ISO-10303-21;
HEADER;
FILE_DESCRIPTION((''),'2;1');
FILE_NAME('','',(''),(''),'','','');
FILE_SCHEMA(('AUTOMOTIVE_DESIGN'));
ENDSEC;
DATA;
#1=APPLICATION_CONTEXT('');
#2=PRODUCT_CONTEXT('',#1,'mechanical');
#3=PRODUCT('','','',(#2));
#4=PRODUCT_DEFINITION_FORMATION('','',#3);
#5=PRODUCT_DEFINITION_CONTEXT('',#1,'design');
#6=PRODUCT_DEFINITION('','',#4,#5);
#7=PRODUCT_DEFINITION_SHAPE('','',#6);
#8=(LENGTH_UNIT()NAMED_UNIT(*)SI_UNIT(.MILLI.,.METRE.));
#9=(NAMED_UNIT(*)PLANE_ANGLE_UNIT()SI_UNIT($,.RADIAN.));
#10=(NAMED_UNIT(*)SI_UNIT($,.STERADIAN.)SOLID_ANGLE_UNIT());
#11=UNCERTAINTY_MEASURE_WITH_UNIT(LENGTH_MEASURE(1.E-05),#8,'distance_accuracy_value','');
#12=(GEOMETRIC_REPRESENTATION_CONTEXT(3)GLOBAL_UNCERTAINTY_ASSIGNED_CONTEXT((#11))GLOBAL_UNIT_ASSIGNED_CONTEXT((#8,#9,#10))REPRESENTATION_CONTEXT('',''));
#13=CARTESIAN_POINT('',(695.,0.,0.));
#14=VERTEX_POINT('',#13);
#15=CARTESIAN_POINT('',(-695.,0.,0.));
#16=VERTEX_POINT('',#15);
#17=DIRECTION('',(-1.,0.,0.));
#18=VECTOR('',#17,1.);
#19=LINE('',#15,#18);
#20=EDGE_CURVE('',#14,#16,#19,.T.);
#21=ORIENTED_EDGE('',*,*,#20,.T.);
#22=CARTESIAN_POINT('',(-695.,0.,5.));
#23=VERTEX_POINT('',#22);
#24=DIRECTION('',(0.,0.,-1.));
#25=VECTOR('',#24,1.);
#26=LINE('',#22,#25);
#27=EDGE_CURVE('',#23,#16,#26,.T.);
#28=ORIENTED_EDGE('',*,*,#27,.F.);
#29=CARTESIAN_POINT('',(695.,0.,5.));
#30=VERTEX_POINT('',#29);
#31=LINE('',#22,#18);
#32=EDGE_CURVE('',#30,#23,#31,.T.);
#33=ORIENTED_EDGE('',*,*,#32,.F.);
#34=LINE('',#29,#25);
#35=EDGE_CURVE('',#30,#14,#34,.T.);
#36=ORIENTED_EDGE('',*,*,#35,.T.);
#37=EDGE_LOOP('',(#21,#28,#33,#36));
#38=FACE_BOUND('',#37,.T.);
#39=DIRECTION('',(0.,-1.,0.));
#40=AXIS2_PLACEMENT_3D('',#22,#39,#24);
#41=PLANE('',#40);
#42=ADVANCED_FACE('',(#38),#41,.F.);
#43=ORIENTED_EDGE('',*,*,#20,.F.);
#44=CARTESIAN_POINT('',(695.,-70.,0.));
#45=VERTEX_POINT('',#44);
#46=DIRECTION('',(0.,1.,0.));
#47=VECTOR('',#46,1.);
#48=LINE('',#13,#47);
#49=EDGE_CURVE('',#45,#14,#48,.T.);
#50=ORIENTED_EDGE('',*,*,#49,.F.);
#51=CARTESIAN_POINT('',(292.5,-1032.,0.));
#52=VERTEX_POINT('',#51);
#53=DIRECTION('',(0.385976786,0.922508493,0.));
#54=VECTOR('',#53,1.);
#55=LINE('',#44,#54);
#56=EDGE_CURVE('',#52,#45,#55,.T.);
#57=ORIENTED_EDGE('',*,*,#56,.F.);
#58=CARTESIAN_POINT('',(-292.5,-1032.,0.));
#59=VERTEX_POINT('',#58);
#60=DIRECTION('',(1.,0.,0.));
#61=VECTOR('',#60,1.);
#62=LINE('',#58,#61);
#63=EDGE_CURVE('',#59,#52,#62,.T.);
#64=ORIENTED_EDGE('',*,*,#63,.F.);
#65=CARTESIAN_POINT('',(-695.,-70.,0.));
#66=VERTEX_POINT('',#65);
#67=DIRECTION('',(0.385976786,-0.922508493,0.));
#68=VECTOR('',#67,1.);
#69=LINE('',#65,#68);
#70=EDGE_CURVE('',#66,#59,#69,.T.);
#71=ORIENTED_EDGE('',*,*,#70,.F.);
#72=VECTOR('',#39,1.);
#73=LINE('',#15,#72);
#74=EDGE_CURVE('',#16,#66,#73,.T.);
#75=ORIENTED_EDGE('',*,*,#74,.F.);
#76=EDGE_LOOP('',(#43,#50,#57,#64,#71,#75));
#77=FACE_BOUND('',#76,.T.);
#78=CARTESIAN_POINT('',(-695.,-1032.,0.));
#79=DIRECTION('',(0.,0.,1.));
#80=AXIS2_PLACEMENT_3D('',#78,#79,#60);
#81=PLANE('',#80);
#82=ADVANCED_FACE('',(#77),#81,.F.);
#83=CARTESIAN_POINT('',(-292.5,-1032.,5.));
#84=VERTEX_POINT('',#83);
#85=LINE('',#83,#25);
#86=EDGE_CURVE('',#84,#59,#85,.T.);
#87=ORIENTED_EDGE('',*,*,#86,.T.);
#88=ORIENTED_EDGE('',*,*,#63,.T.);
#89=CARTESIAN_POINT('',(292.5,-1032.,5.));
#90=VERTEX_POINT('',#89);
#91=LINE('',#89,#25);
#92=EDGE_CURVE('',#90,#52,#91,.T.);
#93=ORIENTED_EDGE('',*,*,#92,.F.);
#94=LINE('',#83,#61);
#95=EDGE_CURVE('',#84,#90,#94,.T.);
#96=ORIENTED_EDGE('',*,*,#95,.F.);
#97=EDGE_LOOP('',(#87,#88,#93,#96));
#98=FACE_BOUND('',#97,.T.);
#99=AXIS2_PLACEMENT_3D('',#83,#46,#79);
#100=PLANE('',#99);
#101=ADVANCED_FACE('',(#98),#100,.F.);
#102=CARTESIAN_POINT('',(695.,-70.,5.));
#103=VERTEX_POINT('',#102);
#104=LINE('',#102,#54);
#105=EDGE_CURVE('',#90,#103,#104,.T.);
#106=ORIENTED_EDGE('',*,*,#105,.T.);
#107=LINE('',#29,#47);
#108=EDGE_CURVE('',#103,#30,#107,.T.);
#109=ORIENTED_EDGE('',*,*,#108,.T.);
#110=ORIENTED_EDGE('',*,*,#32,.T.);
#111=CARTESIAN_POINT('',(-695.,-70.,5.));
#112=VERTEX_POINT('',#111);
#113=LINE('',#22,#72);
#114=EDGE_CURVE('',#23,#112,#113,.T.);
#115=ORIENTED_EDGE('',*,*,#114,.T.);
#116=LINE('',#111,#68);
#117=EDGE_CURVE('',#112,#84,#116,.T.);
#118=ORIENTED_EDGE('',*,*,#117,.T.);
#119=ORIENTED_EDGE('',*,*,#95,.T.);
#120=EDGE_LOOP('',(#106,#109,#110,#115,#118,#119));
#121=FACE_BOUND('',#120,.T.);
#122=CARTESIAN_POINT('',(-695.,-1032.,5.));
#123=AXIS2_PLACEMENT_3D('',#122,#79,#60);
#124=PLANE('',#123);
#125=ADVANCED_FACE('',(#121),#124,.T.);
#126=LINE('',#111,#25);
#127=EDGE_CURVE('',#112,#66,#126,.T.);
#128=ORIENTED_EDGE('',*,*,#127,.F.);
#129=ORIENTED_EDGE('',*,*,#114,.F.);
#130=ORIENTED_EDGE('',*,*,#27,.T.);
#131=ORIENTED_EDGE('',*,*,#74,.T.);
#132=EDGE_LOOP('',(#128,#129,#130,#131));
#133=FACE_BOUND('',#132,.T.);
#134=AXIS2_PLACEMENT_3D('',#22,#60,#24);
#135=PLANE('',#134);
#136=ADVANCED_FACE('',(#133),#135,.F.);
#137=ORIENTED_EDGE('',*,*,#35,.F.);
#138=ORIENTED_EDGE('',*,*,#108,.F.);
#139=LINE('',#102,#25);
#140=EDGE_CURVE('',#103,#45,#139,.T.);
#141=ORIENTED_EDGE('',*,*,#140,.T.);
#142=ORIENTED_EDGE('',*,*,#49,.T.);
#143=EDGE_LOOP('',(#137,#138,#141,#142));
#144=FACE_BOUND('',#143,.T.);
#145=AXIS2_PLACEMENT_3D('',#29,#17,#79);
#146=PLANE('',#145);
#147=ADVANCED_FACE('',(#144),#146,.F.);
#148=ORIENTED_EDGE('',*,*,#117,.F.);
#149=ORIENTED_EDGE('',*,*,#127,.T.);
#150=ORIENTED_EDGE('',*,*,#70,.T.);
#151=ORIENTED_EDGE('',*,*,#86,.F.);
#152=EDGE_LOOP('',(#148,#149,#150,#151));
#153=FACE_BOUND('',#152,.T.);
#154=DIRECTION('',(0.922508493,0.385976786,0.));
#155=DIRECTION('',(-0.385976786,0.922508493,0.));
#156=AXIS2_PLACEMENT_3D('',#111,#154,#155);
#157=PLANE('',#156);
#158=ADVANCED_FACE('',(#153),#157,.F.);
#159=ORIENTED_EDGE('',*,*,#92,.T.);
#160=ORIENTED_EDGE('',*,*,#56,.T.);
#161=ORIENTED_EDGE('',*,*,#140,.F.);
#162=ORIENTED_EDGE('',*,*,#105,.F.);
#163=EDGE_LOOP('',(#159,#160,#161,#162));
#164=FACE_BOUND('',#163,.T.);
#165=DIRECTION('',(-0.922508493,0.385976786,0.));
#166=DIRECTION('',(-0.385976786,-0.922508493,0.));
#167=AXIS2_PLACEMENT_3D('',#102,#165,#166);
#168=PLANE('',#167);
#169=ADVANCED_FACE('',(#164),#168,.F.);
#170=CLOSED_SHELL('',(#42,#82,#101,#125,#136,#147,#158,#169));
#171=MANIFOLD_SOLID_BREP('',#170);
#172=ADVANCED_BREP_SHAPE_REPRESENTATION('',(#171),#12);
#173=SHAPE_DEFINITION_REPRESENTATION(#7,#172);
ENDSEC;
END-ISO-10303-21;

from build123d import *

# Parameters (mm, degrees)
EXTRUDE_1_DEPTH = 5


with BuildPart() as part:
    # 草图1 → 凸台-拉伸1 (new body)
    with BuildSketch(Plane.XY):
        Polygon((-695, 0), (695, 0), (695, -70), (292.5, -1032), (-292.5, -1032), (-695, -70), align=None)
    extrude(amount=EXTRUDE_1_DEPTH)


solid = part.part
